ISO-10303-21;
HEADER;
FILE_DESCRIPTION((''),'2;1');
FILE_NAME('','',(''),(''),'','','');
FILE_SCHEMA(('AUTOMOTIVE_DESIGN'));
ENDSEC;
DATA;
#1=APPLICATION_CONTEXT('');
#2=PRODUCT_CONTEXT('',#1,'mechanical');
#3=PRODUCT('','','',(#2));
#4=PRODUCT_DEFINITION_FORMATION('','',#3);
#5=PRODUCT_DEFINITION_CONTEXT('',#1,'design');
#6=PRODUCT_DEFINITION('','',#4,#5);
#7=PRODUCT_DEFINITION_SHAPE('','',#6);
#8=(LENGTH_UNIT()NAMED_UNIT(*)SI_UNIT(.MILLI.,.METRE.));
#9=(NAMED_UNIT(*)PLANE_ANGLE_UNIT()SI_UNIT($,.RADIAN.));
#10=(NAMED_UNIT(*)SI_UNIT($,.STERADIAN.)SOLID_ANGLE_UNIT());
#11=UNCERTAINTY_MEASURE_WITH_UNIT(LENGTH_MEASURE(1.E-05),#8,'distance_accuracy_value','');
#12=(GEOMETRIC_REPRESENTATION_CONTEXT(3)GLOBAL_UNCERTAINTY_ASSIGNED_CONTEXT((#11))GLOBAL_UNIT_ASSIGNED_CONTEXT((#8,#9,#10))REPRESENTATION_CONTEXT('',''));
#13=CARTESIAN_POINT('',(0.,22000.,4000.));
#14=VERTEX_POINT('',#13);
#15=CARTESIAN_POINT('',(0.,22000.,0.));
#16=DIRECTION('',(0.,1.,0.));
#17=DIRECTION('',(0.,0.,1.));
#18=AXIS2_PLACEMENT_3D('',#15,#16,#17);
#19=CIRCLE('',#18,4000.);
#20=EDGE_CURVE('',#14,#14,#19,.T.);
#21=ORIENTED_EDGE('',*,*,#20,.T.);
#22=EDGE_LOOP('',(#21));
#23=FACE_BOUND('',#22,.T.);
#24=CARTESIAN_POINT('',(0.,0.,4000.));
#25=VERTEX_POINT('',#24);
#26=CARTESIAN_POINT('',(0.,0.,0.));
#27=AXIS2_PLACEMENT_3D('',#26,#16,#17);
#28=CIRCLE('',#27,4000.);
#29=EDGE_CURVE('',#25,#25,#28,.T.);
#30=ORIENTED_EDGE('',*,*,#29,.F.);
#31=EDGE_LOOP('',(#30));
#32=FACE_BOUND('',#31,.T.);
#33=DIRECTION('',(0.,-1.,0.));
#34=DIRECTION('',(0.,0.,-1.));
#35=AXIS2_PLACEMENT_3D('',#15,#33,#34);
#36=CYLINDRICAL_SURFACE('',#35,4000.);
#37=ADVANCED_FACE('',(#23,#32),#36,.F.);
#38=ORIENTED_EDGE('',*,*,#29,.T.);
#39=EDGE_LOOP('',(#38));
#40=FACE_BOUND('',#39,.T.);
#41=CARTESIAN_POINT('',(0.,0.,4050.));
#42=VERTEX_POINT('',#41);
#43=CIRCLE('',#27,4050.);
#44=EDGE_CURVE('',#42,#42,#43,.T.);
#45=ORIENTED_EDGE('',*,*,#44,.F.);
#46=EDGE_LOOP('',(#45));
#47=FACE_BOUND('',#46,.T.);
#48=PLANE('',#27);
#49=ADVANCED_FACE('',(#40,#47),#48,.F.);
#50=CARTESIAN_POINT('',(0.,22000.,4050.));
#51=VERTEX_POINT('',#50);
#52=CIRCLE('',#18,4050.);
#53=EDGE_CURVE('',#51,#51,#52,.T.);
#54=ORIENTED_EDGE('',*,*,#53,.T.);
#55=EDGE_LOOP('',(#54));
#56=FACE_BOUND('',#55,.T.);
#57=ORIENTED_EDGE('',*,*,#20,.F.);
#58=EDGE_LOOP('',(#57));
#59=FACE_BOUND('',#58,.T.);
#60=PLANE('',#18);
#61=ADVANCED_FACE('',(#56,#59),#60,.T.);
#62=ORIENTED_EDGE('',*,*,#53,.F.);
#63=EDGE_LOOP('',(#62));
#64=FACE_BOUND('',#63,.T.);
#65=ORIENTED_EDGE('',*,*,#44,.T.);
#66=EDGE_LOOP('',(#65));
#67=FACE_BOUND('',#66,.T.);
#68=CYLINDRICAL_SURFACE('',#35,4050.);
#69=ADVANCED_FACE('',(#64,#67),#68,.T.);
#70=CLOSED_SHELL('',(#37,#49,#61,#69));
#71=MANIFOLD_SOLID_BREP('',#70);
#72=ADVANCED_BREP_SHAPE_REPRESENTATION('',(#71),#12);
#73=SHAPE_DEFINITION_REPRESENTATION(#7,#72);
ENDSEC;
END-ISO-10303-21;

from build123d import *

# Parameters (mm, degrees)
SKETCH1_R           = 4050
SKETCH1_R_2         = 4000
BOSS_EXTRUDE1_DEPTH = 22000


with BuildPart() as part:
    # Sketch1 → Boss-Extrude1 (new body)
    with BuildSketch(Plane(origin=(0, 0, 0), x_dir=(1, 0, 0), z_dir=(0, 1, 0))):
        with Locations(Location((0, 0, 0), (0, 0, 270))):
            Circle(SKETCH1_R)
        with Locations(Location((0, 0, 0), (0, 0, 270))):
            Circle(SKETCH1_R_2, mode=Mode.SUBTRACT)
    extrude(amount=BOSS_EXTRUDE1_DEPTH)


solid = part.part
